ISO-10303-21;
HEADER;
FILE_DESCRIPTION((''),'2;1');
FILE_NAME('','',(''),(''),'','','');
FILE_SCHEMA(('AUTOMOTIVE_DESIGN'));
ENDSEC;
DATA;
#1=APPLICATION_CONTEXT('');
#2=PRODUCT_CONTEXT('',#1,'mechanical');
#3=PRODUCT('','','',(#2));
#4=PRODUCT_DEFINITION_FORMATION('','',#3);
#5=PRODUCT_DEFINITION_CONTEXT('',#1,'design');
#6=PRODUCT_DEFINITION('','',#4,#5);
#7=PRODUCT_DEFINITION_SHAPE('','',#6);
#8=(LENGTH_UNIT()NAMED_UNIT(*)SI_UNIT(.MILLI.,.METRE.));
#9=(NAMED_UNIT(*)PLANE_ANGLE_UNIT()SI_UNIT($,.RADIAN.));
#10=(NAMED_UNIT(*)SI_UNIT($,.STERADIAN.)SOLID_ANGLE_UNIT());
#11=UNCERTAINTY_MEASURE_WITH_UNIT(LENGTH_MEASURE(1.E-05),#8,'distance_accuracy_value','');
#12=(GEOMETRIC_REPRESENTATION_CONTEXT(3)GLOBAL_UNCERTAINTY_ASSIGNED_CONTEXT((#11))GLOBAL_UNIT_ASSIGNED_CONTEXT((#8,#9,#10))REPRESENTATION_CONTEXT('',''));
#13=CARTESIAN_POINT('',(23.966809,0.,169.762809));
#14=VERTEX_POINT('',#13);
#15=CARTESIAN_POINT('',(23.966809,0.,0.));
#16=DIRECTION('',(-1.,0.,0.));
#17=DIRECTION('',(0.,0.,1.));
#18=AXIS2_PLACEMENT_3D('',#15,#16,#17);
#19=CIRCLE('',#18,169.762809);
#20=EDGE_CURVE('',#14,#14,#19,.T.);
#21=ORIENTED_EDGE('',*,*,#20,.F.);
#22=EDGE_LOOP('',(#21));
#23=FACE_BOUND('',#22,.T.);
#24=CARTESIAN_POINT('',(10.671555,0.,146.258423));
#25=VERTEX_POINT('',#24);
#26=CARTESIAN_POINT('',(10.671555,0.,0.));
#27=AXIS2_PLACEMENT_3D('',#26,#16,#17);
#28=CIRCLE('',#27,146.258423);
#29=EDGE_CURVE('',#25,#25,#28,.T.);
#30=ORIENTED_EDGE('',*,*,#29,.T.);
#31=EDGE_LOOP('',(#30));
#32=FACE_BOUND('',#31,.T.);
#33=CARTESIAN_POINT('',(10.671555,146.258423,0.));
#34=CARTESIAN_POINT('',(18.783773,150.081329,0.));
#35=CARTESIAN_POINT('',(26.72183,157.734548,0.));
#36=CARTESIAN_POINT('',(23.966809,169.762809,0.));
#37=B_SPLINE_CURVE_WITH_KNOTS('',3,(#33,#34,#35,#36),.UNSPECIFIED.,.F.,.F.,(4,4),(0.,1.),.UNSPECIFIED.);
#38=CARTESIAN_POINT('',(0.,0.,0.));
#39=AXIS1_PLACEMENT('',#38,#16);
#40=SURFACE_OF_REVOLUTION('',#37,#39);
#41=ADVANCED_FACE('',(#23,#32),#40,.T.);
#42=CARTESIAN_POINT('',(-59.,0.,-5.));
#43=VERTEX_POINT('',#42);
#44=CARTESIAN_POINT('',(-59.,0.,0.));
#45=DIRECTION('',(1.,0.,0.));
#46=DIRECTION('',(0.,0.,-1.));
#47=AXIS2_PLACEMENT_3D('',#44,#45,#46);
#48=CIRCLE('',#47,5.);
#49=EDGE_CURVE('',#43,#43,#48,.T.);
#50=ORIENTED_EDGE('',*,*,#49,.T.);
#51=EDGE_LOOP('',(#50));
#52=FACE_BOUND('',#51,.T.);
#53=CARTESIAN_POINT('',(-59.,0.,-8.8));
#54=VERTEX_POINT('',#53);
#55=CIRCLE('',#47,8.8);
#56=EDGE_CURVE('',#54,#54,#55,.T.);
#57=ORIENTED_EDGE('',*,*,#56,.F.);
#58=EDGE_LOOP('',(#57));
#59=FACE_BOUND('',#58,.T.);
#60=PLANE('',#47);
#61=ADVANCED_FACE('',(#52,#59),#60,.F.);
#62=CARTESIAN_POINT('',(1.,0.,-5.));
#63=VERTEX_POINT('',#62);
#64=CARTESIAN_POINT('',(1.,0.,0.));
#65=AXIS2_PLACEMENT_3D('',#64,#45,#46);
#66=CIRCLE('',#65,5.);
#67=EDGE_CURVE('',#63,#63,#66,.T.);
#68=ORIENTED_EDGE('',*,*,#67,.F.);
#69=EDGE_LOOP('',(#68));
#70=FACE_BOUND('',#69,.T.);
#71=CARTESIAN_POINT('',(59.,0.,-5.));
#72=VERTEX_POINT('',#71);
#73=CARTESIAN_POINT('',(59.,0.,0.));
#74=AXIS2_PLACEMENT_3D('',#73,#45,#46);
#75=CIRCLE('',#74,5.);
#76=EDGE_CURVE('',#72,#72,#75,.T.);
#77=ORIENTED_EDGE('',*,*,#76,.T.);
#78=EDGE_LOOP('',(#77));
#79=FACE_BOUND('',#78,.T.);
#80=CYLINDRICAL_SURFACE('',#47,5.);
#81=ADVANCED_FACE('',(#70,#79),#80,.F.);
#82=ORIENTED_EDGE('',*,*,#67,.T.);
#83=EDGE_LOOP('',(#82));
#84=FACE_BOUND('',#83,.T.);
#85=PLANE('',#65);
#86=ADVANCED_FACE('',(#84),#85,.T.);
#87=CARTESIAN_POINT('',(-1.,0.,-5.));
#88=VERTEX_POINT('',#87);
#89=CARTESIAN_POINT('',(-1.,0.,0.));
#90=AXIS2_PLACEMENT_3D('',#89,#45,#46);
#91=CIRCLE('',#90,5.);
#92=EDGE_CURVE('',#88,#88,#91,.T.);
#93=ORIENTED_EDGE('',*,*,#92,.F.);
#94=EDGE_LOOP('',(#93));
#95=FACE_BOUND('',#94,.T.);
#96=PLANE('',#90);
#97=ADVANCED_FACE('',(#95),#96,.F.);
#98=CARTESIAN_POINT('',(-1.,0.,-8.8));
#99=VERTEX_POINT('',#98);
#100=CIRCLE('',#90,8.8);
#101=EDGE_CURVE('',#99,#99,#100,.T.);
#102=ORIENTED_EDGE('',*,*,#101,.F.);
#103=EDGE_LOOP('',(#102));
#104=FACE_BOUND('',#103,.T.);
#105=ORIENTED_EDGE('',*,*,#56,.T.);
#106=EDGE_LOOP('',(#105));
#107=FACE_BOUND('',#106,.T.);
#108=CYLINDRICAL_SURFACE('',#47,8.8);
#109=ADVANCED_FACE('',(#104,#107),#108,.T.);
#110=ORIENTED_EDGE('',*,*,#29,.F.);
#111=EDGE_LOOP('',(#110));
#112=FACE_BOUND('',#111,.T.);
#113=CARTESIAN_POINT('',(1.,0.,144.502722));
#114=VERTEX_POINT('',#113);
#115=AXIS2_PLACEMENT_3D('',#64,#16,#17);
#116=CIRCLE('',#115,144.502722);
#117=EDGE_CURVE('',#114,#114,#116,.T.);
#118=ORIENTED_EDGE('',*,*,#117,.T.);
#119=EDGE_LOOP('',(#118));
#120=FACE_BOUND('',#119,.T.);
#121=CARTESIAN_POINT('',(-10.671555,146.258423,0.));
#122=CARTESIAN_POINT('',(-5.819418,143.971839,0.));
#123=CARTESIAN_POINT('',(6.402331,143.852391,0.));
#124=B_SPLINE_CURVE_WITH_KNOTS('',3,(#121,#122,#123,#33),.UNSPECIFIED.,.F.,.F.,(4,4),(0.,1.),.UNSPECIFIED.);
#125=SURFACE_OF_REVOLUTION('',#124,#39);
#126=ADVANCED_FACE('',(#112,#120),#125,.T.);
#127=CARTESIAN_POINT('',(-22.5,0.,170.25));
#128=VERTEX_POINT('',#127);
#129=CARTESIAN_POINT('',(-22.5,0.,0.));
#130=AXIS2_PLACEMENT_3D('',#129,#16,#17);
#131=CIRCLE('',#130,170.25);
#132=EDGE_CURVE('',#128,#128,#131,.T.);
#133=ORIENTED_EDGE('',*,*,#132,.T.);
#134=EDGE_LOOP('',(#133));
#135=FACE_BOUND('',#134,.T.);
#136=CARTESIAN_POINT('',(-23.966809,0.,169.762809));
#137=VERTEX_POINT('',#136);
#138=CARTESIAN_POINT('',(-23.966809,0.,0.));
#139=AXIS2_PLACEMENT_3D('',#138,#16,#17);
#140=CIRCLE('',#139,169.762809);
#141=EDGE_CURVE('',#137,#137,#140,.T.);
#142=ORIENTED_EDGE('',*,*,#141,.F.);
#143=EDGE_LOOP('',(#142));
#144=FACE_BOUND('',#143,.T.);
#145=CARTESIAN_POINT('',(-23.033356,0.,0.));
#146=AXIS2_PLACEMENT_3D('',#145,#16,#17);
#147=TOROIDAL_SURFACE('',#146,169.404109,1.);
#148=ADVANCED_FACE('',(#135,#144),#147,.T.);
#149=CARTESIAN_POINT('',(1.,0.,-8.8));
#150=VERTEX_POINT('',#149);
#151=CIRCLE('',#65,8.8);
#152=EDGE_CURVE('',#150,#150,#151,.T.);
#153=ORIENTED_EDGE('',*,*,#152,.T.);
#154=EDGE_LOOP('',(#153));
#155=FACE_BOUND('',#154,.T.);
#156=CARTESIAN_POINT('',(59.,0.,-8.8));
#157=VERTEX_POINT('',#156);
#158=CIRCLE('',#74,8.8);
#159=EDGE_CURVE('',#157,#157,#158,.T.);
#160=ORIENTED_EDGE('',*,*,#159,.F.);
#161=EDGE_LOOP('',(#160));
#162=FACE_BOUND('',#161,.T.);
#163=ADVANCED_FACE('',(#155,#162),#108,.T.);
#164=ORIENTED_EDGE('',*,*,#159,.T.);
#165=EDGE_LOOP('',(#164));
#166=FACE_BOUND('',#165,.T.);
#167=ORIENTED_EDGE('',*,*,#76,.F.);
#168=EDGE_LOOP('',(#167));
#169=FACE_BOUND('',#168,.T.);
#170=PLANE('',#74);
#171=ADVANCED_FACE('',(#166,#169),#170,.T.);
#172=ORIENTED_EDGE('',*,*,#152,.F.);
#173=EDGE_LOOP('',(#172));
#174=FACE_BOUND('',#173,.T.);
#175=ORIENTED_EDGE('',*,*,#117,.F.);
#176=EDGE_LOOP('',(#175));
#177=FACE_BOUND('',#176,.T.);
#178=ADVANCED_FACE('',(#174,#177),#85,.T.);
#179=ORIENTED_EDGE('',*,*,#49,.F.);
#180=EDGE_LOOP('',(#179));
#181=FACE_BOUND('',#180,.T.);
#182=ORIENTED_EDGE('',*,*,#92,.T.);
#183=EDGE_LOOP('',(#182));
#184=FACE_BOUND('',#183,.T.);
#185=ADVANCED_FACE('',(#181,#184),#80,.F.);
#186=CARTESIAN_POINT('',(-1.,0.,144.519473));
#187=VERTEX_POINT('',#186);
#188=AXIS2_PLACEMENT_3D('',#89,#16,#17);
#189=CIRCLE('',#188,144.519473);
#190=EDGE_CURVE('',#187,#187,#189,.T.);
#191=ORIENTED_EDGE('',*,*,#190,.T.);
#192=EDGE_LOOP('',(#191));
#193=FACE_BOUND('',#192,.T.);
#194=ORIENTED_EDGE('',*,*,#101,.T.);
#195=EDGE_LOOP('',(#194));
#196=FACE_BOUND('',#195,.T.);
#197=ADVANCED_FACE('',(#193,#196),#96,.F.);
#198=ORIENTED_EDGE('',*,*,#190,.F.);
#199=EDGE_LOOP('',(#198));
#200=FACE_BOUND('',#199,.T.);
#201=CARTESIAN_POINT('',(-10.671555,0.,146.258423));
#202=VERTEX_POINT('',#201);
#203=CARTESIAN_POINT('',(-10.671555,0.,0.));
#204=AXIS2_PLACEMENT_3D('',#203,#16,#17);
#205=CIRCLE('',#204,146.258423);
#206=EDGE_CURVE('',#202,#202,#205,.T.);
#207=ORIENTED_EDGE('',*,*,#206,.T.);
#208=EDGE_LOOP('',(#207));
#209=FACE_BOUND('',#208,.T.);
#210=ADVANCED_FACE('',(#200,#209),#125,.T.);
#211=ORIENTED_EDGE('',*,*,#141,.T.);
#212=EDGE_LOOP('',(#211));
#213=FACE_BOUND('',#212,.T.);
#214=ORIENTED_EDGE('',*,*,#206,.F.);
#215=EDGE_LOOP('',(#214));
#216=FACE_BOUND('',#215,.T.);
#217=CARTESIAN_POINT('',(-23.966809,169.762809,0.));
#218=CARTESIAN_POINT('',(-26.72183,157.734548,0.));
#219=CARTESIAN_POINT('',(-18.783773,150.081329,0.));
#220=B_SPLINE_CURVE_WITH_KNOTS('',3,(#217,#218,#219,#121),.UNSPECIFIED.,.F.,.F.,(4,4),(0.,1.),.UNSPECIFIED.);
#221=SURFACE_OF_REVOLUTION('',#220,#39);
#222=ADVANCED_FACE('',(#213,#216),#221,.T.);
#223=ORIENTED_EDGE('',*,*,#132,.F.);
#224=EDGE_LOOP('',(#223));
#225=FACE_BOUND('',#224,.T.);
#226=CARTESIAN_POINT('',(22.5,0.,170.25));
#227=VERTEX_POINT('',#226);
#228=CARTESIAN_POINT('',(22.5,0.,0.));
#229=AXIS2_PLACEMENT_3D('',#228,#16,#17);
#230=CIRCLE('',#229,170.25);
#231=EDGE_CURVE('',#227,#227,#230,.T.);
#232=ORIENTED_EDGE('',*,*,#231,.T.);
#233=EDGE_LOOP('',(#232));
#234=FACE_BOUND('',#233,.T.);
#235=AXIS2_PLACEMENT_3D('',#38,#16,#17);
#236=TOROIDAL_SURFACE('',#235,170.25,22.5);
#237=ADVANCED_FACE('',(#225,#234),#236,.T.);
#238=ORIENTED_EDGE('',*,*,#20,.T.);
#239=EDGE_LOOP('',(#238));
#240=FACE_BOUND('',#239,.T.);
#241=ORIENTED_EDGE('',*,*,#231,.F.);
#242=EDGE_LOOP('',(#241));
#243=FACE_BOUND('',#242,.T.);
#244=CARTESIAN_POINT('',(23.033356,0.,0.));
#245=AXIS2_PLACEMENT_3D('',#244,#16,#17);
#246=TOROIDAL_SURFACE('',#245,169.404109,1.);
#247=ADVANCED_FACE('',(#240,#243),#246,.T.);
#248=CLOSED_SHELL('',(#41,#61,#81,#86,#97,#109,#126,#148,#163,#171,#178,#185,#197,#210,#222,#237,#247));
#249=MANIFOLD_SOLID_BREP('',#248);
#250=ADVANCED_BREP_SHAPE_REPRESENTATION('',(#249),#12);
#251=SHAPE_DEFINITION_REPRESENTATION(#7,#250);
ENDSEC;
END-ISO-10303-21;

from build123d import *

# Parameters (mm, degrees)
BOSS_EXTRUDE1_DEPTH      = 59
BOSS_EXTRUDE1_DEPTH_BACK = 59
SKETCH3_R                = 8.8
SKETCH3_R_2              = 5
BOSS_EXTRUDE2_DEPTH      = 1
BOSS_EXTRUDE2_DEPTH_BACK = 1
SKETCH4_R                = 146.258422724


with BuildPart() as part:
    # Sketch2 → Revolve1 (revolve)
    with BuildSketch(Plane.XY, mode=Mode.PRIVATE) as revolve1_sk:
        with BuildLine():
            ThreePointArc((-22.5, 170.25), (0, 192.75), (22.5, 170.25))
            ThreePointArc((22.5, 170.25), (23.348567439, 170.353130477), (23.966808975, 169.762808533))
            add(Edge.make_bspline(
                [(23.966808975, 169.762808533), (26.721829909, 157.734548001), (18.783773363, 150.081329337), (10.671555184, 146.258422724)],
                knots=[0, 0, 0, 0, 1, 1, 1, 1], degree=3))
            add(Edge.make_bspline(
                [(-10.671555184, 146.258422724), (-5.819418174, 143.971838924), (6.402330555, 143.852391413), (10.671555184, 146.258422724)],
                knots=[0, 0, 0, 0, 1, 1, 1, 1], degree=3))
            add(Edge.make_bspline(
                [(-23.966808975, 169.762808533), (-26.721829909, 157.734548001), (-18.783773363, 150.081329337), (-10.671555184, 146.258422724)],
                knots=[0, 0, 0, 0, 1, 1, 1, 1], degree=3))
            ThreePointArc((-23.966808975, 169.762808533), (-23.348567439, 170.353130477), (-22.5, 170.25))
        make_face()
    revolve(revolve1_sk.sketch.rotate(Axis((0, 0, 0), (1, 0, 0)), 90), axis=Axis((0, 0, 0), (1, 0, 0)))



with BuildPart() as body_2:
    # Sketch3 → Boss-Extrude1 (new, two sides: drawn at the far end of the back side and taken through both)
    with BuildSketch(Plane(origin=(0, 0, 0), x_dir=(0, 0, -1), z_dir=(1, 0, 0)).offset(-BOSS_EXTRUDE1_DEPTH_BACK)):
        Circle(SKETCH3_R)
        Circle(SKETCH3_R_2, mode=Mode.SUBTRACT)
    extrude(amount=BOSS_EXTRUDE1_DEPTH + BOSS_EXTRUDE1_DEPTH_BACK)


with BuildPart() as part_1:
    add(part.part)

    add(body_2.part)  # Boss-Extrude2 merges body 2
    # Sketch4 → Boss-Extrude2 (add, two sides: drawn at the far end of the back side and taken through both)
    with BuildSketch(Plane(origin=(0, 0, 0), x_dir=(0, 0, -1), z_dir=(1, 0, 0)).offset(-BOSS_EXTRUDE2_DEPTH_BACK)):
        Circle(SKETCH4_R)
    extrude(amount=BOSS_EXTRUDE2_DEPTH + BOSS_EXTRUDE2_DEPTH_BACK)


solid = part_1.part
